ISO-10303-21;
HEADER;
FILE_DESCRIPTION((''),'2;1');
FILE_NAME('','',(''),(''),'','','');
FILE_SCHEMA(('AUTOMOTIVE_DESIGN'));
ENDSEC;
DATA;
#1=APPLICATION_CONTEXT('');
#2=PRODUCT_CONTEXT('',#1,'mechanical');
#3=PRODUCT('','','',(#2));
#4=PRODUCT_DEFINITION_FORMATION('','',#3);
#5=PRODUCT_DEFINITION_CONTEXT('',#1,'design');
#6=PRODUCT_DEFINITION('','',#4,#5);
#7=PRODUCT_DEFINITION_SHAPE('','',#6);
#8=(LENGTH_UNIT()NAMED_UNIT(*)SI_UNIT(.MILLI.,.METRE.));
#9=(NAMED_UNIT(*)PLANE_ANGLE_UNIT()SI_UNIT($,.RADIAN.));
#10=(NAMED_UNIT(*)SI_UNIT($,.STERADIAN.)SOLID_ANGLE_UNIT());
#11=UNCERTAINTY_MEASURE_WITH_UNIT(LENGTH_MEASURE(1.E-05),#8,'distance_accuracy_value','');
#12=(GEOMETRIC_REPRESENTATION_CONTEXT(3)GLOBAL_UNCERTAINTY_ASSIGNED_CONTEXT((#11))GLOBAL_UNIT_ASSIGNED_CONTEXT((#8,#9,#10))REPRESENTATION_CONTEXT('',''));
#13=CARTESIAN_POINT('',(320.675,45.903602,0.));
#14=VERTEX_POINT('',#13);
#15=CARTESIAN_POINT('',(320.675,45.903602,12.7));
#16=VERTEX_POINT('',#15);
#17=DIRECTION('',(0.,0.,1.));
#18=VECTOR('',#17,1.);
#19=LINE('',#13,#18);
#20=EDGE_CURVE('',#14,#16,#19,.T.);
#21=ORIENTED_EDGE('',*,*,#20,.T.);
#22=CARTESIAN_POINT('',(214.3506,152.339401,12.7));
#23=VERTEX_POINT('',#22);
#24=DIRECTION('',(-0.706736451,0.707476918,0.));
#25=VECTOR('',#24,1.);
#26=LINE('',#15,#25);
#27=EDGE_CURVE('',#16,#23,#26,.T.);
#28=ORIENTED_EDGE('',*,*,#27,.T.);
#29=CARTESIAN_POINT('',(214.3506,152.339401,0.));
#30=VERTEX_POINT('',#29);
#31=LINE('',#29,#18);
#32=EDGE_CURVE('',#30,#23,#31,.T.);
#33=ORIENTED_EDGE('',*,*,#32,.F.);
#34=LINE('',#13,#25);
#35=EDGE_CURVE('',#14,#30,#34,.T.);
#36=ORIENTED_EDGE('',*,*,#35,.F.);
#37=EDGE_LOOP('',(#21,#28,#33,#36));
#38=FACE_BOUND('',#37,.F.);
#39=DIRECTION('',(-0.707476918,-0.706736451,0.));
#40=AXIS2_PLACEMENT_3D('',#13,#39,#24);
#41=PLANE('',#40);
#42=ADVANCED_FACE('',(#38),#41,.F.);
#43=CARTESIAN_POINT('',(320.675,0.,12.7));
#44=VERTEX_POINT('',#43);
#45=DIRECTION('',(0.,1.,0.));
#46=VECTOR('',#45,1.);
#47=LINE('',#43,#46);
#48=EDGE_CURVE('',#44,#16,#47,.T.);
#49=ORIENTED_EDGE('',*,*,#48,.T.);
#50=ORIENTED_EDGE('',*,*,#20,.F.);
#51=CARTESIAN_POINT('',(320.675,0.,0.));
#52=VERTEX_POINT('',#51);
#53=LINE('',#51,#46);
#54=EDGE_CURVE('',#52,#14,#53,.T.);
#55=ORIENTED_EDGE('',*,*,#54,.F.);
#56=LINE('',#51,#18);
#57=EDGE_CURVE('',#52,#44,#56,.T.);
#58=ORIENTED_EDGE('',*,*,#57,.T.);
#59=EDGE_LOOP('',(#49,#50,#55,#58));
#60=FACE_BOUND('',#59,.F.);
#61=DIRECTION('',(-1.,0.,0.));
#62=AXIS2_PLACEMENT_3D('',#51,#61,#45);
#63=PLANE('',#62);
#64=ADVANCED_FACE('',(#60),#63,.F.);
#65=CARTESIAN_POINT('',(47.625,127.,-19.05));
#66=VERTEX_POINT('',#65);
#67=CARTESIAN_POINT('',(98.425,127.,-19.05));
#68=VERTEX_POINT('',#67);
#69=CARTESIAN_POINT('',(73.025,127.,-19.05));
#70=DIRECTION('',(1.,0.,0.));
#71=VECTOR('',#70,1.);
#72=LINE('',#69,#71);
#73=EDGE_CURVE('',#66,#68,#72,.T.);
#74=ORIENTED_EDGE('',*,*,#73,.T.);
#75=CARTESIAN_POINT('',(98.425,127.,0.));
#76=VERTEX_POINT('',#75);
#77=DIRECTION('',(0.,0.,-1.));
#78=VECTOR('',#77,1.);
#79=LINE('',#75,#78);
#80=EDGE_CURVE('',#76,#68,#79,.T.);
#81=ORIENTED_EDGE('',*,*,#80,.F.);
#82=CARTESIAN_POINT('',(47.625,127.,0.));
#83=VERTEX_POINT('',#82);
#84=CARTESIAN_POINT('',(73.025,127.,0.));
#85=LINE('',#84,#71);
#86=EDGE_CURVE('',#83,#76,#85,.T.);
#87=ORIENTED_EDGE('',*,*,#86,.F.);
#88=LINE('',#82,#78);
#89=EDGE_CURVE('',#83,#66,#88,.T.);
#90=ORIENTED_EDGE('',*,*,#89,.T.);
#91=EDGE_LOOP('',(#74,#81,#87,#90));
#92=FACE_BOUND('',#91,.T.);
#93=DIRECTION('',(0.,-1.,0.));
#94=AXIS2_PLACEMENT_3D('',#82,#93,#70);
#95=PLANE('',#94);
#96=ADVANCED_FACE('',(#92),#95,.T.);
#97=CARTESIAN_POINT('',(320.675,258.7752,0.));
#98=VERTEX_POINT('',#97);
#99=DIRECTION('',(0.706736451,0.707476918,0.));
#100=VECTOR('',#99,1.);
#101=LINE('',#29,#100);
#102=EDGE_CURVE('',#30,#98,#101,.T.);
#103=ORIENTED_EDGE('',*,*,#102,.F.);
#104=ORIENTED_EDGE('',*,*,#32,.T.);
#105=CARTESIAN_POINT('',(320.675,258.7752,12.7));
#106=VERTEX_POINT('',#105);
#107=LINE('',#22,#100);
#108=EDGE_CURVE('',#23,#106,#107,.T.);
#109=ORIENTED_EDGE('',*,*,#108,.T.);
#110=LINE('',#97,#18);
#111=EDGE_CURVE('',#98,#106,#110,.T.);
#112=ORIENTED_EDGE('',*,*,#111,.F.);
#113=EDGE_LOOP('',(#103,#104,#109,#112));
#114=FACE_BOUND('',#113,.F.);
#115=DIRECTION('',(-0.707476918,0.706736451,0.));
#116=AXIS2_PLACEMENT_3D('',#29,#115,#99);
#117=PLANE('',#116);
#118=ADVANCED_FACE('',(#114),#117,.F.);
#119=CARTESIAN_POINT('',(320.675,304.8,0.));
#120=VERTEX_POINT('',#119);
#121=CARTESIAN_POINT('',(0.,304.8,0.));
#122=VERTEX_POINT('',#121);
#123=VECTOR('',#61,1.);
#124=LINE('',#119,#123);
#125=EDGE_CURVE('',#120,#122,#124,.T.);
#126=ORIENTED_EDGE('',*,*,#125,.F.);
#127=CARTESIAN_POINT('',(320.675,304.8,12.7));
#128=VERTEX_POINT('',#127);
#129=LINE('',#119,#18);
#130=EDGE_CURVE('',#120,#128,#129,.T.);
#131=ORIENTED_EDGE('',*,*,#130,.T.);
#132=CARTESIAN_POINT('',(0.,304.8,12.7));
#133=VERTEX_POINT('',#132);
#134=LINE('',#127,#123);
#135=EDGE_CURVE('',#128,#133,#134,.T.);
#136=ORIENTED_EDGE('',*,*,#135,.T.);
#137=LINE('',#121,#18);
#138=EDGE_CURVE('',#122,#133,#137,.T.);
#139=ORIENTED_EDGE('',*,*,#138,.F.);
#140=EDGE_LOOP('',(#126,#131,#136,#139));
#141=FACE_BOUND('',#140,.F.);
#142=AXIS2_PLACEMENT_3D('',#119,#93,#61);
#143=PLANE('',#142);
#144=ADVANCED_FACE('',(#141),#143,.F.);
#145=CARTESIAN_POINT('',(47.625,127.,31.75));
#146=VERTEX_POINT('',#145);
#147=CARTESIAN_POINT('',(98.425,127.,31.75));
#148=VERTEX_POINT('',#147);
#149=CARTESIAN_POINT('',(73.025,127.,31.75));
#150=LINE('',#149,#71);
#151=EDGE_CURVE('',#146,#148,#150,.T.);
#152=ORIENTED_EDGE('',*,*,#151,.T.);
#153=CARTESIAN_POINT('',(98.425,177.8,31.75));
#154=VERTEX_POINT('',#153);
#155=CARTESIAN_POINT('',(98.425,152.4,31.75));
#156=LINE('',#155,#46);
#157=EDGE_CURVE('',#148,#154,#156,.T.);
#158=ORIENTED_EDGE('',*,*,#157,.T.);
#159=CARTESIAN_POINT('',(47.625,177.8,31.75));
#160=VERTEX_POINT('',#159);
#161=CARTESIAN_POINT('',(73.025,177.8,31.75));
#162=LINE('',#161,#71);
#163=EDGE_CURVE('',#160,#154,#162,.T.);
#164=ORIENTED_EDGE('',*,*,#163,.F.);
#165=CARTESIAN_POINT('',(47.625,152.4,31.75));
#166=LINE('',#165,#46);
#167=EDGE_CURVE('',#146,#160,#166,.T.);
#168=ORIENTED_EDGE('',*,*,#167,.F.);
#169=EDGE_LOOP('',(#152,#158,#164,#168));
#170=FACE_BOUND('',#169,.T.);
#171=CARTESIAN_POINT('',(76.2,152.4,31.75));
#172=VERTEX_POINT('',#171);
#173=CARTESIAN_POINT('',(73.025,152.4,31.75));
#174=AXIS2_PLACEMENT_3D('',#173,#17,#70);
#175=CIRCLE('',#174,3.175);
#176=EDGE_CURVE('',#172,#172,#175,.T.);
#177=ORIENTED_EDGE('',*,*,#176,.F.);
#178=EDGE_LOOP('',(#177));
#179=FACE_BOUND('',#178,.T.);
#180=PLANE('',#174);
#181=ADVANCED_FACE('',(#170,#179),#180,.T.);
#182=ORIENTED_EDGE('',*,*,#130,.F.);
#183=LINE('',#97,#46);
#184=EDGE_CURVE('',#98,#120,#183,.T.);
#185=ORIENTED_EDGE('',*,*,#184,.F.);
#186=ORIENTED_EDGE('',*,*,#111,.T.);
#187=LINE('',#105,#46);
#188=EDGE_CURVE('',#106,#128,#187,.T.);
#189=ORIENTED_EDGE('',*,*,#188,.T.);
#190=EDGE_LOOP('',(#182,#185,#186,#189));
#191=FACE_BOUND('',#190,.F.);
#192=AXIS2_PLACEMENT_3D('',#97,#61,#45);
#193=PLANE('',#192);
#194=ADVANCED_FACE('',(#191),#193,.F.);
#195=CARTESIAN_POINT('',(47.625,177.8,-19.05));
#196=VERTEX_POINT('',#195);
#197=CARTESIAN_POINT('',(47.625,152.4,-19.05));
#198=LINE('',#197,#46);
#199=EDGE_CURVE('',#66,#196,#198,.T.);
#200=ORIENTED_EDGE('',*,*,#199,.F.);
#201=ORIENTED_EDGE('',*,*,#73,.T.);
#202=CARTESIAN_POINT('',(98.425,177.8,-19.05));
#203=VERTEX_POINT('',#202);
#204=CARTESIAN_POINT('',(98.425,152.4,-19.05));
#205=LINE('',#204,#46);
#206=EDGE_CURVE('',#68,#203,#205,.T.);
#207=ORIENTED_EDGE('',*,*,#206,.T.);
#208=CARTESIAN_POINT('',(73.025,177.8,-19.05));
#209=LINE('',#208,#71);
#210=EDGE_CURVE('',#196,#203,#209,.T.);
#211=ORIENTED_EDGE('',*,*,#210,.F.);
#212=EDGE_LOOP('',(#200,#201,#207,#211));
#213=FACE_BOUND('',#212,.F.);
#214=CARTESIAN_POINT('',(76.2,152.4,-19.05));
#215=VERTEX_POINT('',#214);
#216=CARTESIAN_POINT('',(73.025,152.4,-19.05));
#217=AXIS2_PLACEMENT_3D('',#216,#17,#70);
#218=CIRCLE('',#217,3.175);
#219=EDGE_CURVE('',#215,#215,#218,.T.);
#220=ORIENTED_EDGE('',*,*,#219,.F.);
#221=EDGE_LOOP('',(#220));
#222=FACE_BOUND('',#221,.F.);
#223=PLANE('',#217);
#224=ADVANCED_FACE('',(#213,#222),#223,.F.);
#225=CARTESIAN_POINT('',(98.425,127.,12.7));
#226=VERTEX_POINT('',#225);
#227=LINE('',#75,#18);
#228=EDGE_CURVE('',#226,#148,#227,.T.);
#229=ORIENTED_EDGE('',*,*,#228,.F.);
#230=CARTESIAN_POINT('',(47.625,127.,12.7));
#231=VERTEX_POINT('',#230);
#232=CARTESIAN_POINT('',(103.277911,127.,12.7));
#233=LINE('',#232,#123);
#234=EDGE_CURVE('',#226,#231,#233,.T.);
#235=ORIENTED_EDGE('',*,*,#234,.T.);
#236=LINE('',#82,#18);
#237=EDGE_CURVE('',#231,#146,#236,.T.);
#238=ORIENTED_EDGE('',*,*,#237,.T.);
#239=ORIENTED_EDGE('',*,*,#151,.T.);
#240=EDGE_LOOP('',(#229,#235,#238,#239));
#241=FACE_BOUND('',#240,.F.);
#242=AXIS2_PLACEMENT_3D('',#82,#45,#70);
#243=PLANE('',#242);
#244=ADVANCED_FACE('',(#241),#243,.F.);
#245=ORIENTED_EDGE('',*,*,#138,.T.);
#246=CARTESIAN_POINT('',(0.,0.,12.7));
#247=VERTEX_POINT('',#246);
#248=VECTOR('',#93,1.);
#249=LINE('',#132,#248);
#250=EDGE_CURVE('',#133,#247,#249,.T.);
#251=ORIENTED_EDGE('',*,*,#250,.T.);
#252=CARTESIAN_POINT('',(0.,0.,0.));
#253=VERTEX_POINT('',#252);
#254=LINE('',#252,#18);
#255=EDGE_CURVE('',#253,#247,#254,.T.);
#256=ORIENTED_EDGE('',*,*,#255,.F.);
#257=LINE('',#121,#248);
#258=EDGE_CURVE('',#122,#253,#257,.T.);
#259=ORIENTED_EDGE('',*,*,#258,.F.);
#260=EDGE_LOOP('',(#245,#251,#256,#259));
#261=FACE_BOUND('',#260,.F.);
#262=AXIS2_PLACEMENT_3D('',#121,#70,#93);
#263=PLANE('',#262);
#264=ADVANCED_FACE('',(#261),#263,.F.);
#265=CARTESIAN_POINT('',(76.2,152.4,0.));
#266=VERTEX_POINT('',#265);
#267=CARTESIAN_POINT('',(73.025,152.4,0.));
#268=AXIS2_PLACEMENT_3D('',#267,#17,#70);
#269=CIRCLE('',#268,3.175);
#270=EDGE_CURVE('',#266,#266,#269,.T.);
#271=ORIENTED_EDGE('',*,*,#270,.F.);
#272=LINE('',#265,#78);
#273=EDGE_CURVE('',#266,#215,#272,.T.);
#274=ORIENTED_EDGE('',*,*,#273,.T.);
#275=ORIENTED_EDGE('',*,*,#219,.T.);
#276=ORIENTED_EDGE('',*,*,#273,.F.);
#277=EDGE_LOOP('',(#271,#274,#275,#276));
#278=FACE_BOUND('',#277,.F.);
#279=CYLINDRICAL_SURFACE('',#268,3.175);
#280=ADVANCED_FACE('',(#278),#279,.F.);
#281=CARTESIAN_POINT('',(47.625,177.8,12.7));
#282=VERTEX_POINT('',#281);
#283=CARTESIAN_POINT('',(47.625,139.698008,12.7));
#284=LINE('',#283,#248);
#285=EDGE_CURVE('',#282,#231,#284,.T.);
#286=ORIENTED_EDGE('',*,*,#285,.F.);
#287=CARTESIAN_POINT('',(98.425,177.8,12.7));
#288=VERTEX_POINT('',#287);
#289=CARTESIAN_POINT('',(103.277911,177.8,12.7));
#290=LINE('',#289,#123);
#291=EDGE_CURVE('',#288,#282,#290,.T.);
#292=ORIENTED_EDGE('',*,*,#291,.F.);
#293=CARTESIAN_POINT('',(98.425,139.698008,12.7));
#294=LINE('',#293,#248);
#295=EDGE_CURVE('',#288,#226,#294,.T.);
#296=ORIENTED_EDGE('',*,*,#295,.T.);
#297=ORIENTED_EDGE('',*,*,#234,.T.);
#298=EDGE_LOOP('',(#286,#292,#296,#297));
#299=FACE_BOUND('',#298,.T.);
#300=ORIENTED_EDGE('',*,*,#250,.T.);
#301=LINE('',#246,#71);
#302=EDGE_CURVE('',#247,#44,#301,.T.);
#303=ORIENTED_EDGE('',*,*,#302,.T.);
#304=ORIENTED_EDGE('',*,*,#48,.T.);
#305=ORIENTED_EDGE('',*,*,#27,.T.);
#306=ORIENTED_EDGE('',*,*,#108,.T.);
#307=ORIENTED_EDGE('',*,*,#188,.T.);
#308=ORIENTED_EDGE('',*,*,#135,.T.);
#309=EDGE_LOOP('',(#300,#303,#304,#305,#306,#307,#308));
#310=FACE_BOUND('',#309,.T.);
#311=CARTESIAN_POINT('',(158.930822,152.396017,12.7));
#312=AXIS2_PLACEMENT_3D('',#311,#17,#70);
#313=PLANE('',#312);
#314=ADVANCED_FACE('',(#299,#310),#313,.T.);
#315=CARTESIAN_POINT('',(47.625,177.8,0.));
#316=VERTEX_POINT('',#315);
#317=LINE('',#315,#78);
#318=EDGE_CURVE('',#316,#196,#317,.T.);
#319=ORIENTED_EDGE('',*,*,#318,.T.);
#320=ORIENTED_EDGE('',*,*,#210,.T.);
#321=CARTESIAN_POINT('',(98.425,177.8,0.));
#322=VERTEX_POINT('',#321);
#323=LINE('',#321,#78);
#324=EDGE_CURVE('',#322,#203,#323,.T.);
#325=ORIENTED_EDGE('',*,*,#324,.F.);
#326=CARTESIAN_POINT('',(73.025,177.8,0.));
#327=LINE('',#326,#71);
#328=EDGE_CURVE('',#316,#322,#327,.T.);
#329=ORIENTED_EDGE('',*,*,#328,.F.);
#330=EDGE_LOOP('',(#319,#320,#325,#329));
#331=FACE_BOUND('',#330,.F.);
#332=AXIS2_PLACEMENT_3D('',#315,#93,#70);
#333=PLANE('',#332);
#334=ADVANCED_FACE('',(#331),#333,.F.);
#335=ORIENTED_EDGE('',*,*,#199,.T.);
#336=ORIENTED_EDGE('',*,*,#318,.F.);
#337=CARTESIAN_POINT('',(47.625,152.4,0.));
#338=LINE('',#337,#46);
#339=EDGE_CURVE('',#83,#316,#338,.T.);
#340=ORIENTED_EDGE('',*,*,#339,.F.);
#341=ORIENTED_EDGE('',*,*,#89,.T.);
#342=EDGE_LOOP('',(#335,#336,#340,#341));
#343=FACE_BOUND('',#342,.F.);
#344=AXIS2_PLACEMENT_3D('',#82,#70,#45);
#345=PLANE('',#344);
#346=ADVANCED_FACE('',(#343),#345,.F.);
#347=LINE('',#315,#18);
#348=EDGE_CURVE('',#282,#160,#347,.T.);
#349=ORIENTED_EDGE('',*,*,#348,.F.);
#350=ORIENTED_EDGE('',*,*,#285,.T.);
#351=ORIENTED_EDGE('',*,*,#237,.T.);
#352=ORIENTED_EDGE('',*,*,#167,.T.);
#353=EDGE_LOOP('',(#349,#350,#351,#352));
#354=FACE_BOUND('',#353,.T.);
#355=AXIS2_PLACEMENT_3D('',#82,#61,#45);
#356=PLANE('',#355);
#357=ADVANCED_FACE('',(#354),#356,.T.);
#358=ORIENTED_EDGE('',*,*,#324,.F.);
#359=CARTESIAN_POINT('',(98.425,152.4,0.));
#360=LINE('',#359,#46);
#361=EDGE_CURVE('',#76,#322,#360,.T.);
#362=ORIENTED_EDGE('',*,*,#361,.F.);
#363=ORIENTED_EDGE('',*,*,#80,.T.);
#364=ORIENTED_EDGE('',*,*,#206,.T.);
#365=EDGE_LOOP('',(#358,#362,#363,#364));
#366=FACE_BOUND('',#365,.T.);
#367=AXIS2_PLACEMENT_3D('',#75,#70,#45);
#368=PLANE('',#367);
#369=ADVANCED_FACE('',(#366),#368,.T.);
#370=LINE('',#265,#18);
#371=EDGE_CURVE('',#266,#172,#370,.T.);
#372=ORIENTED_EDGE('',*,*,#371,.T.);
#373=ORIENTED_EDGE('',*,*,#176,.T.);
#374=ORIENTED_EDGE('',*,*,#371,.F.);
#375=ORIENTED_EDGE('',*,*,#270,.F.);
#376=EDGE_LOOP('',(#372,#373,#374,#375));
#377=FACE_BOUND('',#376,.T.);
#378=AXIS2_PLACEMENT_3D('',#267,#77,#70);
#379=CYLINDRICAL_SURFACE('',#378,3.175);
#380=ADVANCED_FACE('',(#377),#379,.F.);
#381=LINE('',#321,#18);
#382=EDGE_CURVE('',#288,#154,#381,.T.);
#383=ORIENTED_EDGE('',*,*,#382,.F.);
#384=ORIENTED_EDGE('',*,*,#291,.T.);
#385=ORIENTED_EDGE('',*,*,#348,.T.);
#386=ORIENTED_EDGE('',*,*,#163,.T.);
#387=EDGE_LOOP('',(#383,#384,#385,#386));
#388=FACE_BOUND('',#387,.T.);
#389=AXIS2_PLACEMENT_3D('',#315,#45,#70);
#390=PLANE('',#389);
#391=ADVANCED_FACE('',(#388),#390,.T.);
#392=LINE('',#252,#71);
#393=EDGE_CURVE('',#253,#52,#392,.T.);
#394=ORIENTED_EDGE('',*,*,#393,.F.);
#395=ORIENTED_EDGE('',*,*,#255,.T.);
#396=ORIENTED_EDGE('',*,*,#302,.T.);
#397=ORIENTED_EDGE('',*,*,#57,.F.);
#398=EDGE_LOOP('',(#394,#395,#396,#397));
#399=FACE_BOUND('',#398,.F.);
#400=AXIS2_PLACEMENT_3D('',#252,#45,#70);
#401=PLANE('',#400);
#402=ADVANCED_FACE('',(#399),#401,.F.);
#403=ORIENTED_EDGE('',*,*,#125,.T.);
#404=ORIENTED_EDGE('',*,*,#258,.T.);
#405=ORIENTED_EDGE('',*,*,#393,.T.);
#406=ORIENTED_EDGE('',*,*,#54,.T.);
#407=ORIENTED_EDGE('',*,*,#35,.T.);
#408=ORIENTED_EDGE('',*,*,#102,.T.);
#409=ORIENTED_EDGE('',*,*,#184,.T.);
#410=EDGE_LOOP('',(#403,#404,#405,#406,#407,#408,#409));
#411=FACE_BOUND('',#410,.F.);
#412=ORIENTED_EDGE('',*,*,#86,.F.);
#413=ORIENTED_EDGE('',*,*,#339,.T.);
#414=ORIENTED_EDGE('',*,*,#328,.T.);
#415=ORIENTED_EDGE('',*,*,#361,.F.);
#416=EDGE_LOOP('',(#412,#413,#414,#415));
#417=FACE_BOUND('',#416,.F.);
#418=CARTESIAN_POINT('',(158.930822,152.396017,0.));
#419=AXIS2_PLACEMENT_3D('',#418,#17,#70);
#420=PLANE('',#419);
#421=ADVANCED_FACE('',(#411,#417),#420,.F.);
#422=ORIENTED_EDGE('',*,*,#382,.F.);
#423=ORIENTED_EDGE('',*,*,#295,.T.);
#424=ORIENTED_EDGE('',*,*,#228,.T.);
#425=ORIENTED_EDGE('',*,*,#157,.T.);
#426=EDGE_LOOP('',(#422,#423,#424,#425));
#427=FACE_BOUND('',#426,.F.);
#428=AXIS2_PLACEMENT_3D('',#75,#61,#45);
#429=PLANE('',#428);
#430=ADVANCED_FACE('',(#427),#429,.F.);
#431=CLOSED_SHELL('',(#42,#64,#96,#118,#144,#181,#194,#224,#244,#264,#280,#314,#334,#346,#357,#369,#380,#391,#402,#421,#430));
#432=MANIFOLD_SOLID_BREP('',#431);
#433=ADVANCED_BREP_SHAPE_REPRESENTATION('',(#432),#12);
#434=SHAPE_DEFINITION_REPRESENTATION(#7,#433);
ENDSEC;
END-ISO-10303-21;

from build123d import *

# Parameters (mm, degrees)
F0_W     = 50.8
F0_H     = 50.8
F0_R     = 3.175
F1_DEPTH = 12.7
F2_DEPTH = 31.75
F3_DEPTH = 19.05


with BuildPart() as f1:
    # F0 (on Top) → F1 (new body)
    with BuildSketch(Plane.XY):
        Polygon((0, 304.8), (0, 0), (320.675, 0), (320.675, 45.903602), (214.3506, 152.339401), (320.675, 258.7752), (320.675, 304.8), align=None)
        with Locations((73.025, 152.4)):
            Rectangle(F0_W, F0_H, mode=Mode.SUBTRACT)
        with Locations((73.025, 152.4)):
            Rectangle(F0_W, F0_H)
        with Locations((73.025, 152.4)):
            Circle(F0_R, mode=Mode.SUBTRACT)
    extrude(amount=F1_DEPTH)

    # F0 (on Top) → F2 (join)
    with BuildSketch(Plane.XY):
        with Locations((73.025, 152.4)):
            Rectangle(F0_W, F0_H)
        with Locations((73.025, 152.4)):
            Circle(F0_R, mode=Mode.SUBTRACT)
    extrude(amount=F2_DEPTH)

    # F0 (on Top) → F3 (join)
    with BuildSketch(Plane.XY):
        with Locations((73.025, 152.4)):
            Rectangle(F0_W, F0_H)
        with Locations((73.025, 152.4)):
            Circle(F0_R, mode=Mode.SUBTRACT)
    extrude(amount=-F3_DEPTH)


solid = f1.part
